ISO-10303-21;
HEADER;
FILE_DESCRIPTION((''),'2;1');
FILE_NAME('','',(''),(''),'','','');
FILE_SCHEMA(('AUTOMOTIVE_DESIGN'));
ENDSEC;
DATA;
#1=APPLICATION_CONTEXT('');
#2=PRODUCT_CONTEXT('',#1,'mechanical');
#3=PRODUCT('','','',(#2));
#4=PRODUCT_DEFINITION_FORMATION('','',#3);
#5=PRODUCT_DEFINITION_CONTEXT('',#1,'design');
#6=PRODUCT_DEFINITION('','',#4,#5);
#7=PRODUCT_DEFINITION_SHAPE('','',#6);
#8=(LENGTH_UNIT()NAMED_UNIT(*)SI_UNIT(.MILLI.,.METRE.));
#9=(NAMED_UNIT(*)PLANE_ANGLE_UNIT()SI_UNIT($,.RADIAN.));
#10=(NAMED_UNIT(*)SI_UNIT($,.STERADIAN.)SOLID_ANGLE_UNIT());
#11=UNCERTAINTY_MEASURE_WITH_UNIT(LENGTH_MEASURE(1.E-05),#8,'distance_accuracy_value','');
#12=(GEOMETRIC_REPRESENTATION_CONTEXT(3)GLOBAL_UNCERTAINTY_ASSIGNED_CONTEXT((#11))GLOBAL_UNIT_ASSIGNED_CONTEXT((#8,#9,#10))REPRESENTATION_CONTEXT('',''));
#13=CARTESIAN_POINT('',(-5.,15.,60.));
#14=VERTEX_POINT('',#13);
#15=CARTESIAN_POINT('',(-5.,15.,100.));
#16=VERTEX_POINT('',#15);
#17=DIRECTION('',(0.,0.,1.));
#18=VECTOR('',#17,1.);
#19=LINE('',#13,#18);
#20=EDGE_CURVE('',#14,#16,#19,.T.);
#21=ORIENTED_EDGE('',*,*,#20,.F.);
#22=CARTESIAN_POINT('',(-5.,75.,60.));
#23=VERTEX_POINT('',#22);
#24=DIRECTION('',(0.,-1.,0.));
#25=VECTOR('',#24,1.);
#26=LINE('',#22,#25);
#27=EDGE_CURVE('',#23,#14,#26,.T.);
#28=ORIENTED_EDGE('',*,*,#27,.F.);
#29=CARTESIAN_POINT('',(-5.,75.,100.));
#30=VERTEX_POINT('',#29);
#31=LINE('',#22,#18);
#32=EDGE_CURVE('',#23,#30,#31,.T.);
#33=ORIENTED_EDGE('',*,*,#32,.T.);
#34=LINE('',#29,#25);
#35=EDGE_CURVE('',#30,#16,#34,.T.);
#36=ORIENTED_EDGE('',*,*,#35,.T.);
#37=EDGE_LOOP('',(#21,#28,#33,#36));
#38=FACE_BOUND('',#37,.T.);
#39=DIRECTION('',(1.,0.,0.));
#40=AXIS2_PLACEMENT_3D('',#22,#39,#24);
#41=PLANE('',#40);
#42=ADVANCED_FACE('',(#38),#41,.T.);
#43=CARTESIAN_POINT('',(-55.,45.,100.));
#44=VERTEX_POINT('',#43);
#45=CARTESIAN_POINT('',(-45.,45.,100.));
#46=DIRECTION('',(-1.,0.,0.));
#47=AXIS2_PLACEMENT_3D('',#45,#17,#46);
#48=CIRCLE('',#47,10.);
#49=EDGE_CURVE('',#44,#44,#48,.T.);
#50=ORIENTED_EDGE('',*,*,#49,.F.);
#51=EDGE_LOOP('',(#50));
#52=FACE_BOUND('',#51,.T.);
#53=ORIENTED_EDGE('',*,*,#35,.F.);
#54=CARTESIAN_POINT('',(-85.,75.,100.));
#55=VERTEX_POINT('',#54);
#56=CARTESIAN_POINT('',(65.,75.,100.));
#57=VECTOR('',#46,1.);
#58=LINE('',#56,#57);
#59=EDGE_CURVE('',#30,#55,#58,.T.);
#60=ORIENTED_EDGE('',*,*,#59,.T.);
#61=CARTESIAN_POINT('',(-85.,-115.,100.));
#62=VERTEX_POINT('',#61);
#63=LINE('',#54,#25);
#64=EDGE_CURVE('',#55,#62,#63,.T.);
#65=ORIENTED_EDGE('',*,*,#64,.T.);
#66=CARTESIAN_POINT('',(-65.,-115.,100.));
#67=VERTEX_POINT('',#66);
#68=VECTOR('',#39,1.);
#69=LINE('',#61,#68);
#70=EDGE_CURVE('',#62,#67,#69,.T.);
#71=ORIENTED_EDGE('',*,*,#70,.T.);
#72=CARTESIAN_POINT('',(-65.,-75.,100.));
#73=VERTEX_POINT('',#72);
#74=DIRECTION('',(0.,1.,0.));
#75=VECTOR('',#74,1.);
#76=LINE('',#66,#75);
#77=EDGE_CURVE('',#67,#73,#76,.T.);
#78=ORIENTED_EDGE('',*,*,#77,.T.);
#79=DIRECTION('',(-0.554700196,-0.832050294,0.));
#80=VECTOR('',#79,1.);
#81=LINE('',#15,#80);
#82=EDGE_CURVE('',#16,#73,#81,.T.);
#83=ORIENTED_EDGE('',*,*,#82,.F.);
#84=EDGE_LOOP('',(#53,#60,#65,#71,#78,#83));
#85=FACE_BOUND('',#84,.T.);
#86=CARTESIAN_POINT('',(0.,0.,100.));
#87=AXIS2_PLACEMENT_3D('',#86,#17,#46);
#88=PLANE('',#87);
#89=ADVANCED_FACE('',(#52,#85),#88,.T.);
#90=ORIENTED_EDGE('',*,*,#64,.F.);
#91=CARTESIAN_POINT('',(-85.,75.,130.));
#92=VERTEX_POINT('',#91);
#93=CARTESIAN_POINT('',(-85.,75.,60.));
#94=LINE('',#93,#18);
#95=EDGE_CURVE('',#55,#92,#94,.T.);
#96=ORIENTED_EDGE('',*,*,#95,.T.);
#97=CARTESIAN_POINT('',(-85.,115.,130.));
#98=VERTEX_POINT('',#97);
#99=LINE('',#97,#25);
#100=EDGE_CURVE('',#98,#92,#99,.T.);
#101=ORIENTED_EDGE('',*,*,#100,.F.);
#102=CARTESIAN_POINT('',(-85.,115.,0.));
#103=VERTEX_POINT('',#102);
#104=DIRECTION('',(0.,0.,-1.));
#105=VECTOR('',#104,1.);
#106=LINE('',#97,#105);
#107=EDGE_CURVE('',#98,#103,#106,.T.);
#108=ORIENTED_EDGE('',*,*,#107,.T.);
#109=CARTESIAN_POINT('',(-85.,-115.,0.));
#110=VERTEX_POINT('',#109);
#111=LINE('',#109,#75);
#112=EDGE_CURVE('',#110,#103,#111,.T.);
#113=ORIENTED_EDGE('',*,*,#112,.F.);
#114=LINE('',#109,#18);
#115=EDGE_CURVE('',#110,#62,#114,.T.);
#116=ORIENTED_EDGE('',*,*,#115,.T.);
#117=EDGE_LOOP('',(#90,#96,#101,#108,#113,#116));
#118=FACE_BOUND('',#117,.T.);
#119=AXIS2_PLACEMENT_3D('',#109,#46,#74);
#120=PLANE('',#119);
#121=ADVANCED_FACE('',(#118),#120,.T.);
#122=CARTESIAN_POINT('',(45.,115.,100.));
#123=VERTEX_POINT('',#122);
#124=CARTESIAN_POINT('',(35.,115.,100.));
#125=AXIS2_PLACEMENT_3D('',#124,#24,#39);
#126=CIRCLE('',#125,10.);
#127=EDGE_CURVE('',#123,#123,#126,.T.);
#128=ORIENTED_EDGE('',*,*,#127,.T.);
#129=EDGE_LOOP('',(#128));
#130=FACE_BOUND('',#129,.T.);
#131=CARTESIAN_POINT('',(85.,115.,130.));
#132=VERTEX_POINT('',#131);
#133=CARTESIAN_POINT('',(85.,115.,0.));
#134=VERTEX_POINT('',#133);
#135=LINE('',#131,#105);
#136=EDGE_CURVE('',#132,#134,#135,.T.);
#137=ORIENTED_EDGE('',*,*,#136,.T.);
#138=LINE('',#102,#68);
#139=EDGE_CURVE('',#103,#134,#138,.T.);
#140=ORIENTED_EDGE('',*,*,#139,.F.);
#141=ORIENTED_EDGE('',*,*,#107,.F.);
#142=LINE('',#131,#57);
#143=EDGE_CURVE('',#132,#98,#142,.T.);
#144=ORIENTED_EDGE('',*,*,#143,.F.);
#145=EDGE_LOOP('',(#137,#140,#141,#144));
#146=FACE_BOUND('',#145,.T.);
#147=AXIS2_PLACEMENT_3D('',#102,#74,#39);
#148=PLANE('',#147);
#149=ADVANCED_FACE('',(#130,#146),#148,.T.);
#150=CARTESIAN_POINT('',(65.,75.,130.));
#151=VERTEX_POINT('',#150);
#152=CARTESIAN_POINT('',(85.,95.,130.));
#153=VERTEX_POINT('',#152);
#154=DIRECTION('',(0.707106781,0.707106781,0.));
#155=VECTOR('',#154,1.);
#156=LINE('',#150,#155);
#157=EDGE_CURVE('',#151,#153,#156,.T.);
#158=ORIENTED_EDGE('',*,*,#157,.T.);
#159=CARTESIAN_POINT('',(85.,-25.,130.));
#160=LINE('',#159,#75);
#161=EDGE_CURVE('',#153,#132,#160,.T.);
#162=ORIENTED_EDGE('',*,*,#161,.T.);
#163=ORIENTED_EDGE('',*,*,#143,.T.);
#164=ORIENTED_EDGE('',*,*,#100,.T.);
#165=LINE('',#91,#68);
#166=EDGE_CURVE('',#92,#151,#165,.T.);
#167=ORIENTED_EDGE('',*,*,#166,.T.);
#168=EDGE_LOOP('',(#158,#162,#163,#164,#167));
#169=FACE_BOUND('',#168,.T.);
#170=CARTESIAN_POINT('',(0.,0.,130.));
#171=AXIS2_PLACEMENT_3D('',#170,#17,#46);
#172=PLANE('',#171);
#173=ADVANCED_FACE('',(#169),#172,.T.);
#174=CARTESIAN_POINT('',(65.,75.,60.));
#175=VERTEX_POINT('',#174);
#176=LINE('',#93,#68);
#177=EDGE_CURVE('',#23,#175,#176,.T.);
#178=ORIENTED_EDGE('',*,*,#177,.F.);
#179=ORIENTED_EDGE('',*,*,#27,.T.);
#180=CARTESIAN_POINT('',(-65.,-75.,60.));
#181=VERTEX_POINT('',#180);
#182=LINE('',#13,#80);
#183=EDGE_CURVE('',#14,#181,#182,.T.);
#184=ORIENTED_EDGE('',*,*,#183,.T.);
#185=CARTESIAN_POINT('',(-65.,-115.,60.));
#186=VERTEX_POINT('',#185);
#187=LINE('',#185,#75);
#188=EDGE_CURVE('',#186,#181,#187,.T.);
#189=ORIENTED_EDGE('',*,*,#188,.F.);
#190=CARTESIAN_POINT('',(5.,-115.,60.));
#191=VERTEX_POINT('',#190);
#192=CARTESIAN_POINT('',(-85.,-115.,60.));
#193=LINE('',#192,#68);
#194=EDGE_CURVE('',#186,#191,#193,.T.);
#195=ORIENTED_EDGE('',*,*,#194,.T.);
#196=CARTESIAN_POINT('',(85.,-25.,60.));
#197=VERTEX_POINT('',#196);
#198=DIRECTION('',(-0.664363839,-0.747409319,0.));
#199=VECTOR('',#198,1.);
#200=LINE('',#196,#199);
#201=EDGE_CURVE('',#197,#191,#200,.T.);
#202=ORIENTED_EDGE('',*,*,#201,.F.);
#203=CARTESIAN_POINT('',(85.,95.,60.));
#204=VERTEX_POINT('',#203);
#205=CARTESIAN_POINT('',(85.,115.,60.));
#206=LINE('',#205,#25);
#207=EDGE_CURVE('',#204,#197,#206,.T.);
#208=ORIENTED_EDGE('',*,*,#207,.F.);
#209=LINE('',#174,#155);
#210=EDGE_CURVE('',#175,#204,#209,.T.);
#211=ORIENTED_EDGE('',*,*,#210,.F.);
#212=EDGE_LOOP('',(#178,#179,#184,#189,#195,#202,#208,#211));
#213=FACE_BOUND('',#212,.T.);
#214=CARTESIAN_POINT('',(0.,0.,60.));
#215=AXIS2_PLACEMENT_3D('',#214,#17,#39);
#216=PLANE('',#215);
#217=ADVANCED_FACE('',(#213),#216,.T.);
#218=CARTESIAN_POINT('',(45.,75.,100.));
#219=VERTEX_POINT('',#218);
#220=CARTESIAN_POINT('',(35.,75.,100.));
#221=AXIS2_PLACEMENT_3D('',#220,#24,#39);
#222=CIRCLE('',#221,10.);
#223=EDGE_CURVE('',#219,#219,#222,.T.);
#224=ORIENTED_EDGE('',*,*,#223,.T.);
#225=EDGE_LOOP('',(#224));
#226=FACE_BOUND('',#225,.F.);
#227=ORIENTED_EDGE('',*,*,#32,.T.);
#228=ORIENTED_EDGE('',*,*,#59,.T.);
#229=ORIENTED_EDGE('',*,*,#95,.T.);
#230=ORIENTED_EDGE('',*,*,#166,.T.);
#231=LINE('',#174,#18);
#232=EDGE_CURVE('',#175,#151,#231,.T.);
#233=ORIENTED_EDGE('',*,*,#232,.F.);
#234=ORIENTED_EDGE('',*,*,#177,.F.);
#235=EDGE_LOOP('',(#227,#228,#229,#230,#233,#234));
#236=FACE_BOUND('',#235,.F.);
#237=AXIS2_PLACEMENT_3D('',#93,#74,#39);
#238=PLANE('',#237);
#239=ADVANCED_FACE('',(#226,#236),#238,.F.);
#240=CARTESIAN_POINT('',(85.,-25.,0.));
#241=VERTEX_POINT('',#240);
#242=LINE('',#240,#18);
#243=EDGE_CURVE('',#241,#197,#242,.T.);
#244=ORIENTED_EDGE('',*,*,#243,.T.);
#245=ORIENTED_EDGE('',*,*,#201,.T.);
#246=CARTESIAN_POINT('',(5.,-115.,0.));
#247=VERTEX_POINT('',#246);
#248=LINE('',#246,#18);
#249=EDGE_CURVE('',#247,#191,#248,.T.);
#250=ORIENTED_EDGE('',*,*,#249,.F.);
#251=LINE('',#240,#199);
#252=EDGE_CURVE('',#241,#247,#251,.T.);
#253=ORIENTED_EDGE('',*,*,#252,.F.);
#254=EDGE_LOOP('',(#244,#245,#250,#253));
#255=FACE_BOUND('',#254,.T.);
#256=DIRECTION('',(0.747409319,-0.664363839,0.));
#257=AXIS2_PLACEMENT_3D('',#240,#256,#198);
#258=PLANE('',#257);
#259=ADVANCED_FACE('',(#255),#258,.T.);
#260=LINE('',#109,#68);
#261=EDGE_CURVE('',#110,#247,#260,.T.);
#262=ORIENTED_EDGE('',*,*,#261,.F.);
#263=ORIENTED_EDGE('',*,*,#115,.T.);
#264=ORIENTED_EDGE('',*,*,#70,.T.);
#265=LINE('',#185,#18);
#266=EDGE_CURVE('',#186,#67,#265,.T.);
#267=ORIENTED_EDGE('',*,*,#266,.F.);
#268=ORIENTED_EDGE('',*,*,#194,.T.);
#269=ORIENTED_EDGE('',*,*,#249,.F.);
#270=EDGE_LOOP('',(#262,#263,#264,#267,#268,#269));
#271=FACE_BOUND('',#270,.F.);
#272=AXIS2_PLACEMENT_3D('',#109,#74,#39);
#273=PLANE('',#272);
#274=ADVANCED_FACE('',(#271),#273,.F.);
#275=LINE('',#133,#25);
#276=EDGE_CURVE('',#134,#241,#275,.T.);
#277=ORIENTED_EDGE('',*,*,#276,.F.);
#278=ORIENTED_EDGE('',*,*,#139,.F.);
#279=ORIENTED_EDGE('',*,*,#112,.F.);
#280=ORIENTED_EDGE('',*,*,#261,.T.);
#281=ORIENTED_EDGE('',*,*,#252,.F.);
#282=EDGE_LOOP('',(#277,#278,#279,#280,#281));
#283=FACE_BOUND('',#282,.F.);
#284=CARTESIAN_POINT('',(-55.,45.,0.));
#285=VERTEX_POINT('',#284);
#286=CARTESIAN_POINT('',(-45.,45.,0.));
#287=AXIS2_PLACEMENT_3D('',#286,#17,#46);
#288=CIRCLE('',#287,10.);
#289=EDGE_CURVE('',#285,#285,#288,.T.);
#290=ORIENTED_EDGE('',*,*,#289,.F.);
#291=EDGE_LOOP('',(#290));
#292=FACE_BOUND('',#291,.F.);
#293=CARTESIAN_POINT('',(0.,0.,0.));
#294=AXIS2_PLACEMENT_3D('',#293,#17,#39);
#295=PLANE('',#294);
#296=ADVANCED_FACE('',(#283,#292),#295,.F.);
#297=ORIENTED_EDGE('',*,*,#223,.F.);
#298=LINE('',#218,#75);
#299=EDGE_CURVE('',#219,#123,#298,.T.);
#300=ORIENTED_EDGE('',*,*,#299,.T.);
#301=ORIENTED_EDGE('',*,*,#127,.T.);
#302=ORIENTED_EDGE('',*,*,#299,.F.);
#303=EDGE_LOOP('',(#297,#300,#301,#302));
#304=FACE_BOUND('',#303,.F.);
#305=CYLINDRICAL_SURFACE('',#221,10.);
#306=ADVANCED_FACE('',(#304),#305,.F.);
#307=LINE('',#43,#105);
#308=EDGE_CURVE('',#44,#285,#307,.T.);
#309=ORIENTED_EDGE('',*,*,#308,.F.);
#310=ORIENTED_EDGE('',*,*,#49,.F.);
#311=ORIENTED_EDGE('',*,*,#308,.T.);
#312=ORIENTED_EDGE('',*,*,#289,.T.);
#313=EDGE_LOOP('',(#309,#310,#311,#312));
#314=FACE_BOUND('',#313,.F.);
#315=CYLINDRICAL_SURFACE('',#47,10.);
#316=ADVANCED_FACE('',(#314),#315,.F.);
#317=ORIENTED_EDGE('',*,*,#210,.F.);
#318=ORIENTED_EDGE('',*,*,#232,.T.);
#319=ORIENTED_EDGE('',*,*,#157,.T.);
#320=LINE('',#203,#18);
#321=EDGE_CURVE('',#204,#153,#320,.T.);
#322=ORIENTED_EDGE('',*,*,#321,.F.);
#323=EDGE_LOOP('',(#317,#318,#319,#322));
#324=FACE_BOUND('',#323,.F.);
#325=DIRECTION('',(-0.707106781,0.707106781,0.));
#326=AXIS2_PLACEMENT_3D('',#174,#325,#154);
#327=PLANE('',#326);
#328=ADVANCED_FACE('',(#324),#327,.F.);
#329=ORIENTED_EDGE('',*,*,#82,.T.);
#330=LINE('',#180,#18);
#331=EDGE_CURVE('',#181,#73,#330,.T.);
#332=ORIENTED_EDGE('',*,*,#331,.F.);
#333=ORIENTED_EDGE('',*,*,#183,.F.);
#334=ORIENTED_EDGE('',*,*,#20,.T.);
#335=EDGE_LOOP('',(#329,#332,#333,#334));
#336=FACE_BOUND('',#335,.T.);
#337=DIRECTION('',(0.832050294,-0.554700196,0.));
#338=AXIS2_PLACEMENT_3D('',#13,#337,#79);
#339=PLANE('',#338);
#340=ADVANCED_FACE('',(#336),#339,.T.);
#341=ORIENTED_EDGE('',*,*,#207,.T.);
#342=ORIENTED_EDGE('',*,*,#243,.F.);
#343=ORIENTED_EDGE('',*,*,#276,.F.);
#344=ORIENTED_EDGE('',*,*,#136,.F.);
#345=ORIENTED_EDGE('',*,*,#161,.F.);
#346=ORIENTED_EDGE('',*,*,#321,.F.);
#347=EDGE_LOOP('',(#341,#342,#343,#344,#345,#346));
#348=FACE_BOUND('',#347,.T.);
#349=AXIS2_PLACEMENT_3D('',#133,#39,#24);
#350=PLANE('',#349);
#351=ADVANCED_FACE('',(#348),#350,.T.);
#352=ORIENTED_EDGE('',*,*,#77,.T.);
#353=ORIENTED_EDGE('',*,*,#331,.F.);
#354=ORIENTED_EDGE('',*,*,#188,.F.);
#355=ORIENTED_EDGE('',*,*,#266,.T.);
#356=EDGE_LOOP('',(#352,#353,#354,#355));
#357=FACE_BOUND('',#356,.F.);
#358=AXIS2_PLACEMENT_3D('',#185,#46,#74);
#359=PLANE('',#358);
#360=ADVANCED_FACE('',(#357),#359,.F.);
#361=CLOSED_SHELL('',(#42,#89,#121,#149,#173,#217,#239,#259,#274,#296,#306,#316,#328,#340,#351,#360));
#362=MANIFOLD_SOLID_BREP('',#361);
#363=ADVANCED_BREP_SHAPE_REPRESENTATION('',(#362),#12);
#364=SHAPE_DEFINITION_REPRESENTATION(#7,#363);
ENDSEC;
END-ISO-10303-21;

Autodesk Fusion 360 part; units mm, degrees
sketch "Sketch1" plane through (0, 0, 0) normal (0, 0, 1) x (1, 0, 0) in component "Base"
  line L0 (-85, -115) -> (-85, 115)
  line L1 (-85, 115) -> (85, 115)
  line L2 (85, -115) -> (-85, 115) construction
  line L3 (-85, -115) -> (85, 115) construction
  line L4 (-85, -115) -> (-85, 115)
  line L5 (85, 115) -> (85, -25)
  line L6 (-85, -115) -> (5, -115)
  line L7 (85, -25) -> (5, -115)
  dimension "d1" = 170
  dimension "d2" = 230
  dimension "d3" = 140
  dimension "d4" = 90
extrude "Extrude1" add sketch "Sketch1" along normal blind 60 in component "Base"
sketch "Sketch2" plane through (0, 0, 60) normal (0, 0, 1) x (-1, 0, 0) in component "Base"
  line L0 (85, 115) -> (-5, 115)
  line L1 (-5, 115) -> (-85, 25)
  line L2 (-85, 25) -> (-85, -115)
  line L3 (-85, -115) -> (85, -115)
  line L4 (85, -115) -> (85, 115)
  line L5 (-85, -115) -> (-85, -95)
  line L6 (85, -115) -> (85, -75)
  line L7 (85, -75) -> (-65, -75)
  line L8 (-65, -75) -> (-85, -95)
  dimension "d7" = 20
  dimension "d8" = 40
  dimension "d9" = 150
extrude "Extrude2" add sketch "Sketch2" along normal blind 70 contours L2 L3 L4 L5 L6 L7 L8 in component "Base"
sketch "Sketch3" plane through (0, 0, 60) normal (0, 0, 1) x (-1, 0, 0) in component "Base"
  line L0 (-65, -75) -> (85, -75)
  line L1 (85, -75) -> (85, 115)
  line L2 (85, 115) -> (-5, 115)
  line L3 (-5, 115) -> (-85, 25)
  line L4 (-85, 25) -> (-85, -95)
  line L5 (-85, -95) -> (-65, -75)
  line L6 (85, -75) -> (85, 115)
  line L7 (85, 115) -> (65, 115)
  line L8 (65, 115) -> (65, 75)
  line L9 (85, -75) -> (5, -75)
  line L10 (5, -75) -> (5, -15)
  line L11 (5, -15) -> (65, 75)
  dimension "d12" = 20
  dimension "d13" = 40
  dimension "d14" = 80
  dimension "d15" = 60
extrude "Extrude3" add sketch "Sketch3" along normal blind 40 contours L0 L1 L2 L6 L7 L8 L9 L10 L11 in component "Base"
sketch "Sketch4" plane through (0, 75, 0) normal (0, -1, 0) x (1, 0, 0) in component "Base"
  line L0 (-5, 100) -> (-5, 60)
  line L1 (-5, 60) -> (65, 60)
  line L2 (65, 60) -> (65, 130)
  line L3 (65, 130) -> (-85, 130)
  line L4 (-85, 130) -> (-85, 100)
  line L5 (-85, 100) -> (-5, 100)
  line L6 (65, 130) -> (25, 130)
  line L7 (65, 130) -> (35, 130)
  line L8 (65, 130) -> (65, 100)
  circle A0 centre (35, 100) radius 10
  dimension "d19" = 30
extrude "Extrude4" cut sketch "Sketch4" against normal up to surface (40 mm away) contours A0 in component "Base"
sketch "Sketch5" plane through (0, 0, 100) normal (0, 0, 1) x (-1, 0, 0) in component "Base"
  line L0 (85, -75) -> (85, 115)
  line L1 (85, 115) -> (65, 115)
  line L2 (65, 115) -> (65, 75)
  line L3 (65, 75) -> (5, -15)
  line L4 (5, -15) -> (5, -75)
  line L5 (5, -75) -> (85, -75)
  line L6 (85, -75) -> (45, -75)
  line L7 (85, -75) -> (85, -45)
  circle A0 centre (45, -45) radius 10
  dimension "d22" = 30
  dimension "d23" = 20
extrude "Extrude5" cut sketch "Sketch5" against normal up to surface (100 mm away) contours A0 in component "Base"
component "Base" placed x (1, 0, 0) y (0, 1, 0) z (0, 0, 1) at (0, 0, 0)
